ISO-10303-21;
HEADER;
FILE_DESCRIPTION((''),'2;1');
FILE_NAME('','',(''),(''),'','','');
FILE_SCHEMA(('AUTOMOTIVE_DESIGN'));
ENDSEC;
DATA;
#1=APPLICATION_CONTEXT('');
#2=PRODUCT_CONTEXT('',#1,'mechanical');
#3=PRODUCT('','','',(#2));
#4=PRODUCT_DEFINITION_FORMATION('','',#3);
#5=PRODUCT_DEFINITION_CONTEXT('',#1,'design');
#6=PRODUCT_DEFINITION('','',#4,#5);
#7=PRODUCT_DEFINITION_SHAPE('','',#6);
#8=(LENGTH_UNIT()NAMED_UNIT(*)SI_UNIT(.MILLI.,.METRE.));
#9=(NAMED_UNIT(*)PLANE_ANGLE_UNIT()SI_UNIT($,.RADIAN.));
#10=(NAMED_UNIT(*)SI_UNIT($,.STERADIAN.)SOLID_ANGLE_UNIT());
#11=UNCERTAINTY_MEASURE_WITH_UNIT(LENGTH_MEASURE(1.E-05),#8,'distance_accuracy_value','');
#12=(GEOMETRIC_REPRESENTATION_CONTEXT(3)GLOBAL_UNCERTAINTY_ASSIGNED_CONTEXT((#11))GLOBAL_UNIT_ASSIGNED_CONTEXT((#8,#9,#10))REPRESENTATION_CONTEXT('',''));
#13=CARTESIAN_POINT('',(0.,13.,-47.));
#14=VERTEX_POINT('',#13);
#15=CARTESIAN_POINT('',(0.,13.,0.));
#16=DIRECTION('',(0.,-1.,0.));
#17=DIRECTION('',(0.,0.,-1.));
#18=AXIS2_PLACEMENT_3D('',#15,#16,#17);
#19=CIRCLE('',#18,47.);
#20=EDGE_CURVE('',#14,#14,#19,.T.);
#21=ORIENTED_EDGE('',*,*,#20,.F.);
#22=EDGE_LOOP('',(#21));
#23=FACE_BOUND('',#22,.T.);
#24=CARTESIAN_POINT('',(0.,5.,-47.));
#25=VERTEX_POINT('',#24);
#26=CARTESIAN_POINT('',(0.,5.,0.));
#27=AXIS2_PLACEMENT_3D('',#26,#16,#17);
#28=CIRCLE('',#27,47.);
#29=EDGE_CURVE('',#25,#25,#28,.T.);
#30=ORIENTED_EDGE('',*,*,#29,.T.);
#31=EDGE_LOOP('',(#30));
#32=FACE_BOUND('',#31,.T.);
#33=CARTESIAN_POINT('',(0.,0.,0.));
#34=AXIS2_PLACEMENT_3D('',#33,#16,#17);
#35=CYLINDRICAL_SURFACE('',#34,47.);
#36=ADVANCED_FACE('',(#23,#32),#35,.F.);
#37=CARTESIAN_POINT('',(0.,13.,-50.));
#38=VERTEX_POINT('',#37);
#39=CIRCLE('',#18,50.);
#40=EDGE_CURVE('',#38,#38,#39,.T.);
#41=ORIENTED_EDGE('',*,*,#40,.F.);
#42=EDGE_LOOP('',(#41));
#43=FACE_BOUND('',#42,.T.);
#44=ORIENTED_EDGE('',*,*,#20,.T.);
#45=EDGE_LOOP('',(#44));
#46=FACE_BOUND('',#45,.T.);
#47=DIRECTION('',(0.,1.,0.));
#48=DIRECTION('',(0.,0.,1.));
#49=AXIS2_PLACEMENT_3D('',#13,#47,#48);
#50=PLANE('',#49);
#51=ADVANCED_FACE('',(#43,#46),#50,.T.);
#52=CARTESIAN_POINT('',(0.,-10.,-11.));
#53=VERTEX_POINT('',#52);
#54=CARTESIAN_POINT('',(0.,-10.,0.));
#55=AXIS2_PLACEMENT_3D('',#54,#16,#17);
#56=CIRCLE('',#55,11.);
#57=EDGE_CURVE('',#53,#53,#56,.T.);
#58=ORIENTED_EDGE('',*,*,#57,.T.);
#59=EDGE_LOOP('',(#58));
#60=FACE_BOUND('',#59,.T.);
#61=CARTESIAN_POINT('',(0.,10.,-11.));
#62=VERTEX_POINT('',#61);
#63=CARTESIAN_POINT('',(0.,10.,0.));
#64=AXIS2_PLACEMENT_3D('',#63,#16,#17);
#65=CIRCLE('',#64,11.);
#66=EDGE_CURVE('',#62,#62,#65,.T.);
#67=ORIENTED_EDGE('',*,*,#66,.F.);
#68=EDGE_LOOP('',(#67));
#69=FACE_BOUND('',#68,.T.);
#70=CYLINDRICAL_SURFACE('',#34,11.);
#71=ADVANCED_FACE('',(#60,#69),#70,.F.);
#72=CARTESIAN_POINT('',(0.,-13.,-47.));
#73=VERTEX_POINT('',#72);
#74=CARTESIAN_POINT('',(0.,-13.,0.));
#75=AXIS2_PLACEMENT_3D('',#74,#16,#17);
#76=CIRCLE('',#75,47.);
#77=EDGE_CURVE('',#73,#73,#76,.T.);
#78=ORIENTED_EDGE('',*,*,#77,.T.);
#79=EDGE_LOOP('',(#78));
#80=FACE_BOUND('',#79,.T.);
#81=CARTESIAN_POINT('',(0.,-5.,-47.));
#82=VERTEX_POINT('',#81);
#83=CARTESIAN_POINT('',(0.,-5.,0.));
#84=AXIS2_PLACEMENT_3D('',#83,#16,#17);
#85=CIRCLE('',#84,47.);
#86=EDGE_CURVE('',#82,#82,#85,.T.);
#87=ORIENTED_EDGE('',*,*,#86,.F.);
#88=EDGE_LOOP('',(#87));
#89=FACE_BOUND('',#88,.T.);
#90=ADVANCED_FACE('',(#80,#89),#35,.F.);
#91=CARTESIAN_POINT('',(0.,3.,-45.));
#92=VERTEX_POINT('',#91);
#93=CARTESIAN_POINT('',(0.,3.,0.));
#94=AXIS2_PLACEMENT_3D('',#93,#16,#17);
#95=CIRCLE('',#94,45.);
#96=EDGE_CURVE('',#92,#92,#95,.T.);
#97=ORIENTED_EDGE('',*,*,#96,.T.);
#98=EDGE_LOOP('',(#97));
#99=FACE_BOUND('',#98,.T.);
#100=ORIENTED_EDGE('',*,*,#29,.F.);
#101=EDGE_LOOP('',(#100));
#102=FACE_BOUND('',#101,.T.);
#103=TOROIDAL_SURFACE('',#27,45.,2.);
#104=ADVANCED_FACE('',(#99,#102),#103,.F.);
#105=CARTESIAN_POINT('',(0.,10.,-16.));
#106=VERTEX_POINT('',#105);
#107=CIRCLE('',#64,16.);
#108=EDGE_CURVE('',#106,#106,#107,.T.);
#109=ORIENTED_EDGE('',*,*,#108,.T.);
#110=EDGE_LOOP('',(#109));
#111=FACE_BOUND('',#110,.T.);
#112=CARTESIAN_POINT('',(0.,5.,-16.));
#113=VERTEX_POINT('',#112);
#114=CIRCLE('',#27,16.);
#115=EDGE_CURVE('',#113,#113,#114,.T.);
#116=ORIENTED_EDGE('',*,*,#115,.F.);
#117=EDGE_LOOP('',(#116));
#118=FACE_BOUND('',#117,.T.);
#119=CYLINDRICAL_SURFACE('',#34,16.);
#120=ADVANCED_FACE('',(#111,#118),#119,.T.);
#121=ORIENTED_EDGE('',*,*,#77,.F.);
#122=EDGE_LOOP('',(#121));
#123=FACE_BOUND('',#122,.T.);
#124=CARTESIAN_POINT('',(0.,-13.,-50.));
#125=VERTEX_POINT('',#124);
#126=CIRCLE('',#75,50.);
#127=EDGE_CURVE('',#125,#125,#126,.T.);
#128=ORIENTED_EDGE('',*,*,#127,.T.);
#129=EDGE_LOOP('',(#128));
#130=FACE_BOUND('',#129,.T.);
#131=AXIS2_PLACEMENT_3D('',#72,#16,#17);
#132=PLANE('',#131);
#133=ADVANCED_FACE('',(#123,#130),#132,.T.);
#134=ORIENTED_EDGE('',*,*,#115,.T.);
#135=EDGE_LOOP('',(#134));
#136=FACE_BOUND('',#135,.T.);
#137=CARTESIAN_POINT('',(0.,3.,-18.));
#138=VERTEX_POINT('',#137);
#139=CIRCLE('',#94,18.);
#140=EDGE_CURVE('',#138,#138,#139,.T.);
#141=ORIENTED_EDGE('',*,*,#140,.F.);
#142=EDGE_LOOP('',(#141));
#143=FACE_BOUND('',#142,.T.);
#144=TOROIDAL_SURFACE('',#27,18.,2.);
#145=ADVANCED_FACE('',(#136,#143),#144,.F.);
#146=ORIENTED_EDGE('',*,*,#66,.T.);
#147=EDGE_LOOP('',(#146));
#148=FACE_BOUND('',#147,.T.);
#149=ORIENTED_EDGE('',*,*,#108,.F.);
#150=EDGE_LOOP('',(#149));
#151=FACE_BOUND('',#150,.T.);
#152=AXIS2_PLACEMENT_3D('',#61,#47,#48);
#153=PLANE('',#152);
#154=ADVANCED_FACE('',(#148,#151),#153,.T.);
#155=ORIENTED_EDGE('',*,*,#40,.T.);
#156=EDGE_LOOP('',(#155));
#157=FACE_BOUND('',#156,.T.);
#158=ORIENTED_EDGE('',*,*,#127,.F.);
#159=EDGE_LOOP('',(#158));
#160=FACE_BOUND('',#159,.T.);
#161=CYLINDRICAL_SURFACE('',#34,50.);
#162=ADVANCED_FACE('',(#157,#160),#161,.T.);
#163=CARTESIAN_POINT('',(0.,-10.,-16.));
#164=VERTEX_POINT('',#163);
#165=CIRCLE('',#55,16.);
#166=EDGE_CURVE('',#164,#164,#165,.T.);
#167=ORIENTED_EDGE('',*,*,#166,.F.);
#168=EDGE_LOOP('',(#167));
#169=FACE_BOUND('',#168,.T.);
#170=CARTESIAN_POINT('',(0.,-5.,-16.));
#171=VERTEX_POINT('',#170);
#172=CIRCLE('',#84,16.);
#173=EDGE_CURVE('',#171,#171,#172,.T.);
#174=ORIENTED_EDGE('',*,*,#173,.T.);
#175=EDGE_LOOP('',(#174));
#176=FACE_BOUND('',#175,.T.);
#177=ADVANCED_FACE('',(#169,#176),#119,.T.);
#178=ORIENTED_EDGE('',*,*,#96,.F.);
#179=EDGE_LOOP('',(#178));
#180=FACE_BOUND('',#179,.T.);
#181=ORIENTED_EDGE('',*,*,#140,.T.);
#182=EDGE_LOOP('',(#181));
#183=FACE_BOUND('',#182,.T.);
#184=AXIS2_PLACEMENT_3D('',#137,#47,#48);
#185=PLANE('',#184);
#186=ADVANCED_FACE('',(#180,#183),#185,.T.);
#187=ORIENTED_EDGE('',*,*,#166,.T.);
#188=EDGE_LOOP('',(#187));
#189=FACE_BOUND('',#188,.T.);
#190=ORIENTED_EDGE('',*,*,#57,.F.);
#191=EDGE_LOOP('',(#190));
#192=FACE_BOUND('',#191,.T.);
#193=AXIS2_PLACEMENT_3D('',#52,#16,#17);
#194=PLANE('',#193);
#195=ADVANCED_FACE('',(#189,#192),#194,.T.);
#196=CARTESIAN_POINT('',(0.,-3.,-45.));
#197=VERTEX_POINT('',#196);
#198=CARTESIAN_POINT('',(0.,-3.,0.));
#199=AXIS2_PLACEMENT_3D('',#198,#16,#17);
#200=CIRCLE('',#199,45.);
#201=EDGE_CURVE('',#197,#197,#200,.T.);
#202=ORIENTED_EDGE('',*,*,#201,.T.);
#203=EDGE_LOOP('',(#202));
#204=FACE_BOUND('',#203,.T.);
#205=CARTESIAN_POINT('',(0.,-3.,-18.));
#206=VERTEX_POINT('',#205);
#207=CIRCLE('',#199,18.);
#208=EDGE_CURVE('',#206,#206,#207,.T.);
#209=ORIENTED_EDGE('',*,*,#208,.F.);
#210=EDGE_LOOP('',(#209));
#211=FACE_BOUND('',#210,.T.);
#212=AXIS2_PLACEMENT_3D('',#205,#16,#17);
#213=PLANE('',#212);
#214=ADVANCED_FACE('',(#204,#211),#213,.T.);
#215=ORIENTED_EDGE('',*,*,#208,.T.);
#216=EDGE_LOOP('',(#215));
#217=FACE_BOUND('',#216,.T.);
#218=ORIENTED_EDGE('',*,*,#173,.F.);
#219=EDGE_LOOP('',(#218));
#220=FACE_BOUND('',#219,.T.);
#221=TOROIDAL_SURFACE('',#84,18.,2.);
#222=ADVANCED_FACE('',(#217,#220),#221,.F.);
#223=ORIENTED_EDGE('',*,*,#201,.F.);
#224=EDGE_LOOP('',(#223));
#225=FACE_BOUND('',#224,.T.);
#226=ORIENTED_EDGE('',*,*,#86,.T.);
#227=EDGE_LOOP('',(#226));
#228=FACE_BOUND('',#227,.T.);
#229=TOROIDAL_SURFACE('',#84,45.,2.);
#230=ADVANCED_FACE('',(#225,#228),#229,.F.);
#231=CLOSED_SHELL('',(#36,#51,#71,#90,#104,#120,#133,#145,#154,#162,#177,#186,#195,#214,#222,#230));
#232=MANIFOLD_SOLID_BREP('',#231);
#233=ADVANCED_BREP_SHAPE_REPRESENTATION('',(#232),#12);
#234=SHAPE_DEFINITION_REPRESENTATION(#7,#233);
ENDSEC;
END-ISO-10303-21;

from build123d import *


with BuildPart() as part:
    # Sketch1 → Revolve1 (revolve)
    with BuildSketch(Plane(origin=(0, 0, 0), x_dir=(0, 0, -1), z_dir=(1, 0, 0))):
        with BuildLine():
            Line((11, -10), (11, 10))
            Line((11, 10), (16, 10))
            Line((16, 10), (16, 5))
            ThreePointArc((16, 5), (16.585786438, 3.585786438), (18, 3))
            Line((18, 3), (45, 3))
            ThreePointArc((45, 3), (46.414213562, 3.585786438), (47, 5))
            Line((47, 5), (47, 13))
            Line((47, 13), (50, 13))
            Line((50, 13), (50, -13))
            Line((50, -13), (47, -13))
            Line((47, -13), (47, -5))
            ThreePointArc((47, -5), (46.414213562, -3.585786438), (45, -3))
            Line((45, -3), (18, -3))
            ThreePointArc((18, -3), (16.585786438, -3.585786438), (16, -5))
            Line((16, -5), (16, -10))
            Line((16, -10), (11, -10))
        make_face()
    revolve(axis=Axis((0, 0, 0), (0, 1, 0)))


solid = part.part
